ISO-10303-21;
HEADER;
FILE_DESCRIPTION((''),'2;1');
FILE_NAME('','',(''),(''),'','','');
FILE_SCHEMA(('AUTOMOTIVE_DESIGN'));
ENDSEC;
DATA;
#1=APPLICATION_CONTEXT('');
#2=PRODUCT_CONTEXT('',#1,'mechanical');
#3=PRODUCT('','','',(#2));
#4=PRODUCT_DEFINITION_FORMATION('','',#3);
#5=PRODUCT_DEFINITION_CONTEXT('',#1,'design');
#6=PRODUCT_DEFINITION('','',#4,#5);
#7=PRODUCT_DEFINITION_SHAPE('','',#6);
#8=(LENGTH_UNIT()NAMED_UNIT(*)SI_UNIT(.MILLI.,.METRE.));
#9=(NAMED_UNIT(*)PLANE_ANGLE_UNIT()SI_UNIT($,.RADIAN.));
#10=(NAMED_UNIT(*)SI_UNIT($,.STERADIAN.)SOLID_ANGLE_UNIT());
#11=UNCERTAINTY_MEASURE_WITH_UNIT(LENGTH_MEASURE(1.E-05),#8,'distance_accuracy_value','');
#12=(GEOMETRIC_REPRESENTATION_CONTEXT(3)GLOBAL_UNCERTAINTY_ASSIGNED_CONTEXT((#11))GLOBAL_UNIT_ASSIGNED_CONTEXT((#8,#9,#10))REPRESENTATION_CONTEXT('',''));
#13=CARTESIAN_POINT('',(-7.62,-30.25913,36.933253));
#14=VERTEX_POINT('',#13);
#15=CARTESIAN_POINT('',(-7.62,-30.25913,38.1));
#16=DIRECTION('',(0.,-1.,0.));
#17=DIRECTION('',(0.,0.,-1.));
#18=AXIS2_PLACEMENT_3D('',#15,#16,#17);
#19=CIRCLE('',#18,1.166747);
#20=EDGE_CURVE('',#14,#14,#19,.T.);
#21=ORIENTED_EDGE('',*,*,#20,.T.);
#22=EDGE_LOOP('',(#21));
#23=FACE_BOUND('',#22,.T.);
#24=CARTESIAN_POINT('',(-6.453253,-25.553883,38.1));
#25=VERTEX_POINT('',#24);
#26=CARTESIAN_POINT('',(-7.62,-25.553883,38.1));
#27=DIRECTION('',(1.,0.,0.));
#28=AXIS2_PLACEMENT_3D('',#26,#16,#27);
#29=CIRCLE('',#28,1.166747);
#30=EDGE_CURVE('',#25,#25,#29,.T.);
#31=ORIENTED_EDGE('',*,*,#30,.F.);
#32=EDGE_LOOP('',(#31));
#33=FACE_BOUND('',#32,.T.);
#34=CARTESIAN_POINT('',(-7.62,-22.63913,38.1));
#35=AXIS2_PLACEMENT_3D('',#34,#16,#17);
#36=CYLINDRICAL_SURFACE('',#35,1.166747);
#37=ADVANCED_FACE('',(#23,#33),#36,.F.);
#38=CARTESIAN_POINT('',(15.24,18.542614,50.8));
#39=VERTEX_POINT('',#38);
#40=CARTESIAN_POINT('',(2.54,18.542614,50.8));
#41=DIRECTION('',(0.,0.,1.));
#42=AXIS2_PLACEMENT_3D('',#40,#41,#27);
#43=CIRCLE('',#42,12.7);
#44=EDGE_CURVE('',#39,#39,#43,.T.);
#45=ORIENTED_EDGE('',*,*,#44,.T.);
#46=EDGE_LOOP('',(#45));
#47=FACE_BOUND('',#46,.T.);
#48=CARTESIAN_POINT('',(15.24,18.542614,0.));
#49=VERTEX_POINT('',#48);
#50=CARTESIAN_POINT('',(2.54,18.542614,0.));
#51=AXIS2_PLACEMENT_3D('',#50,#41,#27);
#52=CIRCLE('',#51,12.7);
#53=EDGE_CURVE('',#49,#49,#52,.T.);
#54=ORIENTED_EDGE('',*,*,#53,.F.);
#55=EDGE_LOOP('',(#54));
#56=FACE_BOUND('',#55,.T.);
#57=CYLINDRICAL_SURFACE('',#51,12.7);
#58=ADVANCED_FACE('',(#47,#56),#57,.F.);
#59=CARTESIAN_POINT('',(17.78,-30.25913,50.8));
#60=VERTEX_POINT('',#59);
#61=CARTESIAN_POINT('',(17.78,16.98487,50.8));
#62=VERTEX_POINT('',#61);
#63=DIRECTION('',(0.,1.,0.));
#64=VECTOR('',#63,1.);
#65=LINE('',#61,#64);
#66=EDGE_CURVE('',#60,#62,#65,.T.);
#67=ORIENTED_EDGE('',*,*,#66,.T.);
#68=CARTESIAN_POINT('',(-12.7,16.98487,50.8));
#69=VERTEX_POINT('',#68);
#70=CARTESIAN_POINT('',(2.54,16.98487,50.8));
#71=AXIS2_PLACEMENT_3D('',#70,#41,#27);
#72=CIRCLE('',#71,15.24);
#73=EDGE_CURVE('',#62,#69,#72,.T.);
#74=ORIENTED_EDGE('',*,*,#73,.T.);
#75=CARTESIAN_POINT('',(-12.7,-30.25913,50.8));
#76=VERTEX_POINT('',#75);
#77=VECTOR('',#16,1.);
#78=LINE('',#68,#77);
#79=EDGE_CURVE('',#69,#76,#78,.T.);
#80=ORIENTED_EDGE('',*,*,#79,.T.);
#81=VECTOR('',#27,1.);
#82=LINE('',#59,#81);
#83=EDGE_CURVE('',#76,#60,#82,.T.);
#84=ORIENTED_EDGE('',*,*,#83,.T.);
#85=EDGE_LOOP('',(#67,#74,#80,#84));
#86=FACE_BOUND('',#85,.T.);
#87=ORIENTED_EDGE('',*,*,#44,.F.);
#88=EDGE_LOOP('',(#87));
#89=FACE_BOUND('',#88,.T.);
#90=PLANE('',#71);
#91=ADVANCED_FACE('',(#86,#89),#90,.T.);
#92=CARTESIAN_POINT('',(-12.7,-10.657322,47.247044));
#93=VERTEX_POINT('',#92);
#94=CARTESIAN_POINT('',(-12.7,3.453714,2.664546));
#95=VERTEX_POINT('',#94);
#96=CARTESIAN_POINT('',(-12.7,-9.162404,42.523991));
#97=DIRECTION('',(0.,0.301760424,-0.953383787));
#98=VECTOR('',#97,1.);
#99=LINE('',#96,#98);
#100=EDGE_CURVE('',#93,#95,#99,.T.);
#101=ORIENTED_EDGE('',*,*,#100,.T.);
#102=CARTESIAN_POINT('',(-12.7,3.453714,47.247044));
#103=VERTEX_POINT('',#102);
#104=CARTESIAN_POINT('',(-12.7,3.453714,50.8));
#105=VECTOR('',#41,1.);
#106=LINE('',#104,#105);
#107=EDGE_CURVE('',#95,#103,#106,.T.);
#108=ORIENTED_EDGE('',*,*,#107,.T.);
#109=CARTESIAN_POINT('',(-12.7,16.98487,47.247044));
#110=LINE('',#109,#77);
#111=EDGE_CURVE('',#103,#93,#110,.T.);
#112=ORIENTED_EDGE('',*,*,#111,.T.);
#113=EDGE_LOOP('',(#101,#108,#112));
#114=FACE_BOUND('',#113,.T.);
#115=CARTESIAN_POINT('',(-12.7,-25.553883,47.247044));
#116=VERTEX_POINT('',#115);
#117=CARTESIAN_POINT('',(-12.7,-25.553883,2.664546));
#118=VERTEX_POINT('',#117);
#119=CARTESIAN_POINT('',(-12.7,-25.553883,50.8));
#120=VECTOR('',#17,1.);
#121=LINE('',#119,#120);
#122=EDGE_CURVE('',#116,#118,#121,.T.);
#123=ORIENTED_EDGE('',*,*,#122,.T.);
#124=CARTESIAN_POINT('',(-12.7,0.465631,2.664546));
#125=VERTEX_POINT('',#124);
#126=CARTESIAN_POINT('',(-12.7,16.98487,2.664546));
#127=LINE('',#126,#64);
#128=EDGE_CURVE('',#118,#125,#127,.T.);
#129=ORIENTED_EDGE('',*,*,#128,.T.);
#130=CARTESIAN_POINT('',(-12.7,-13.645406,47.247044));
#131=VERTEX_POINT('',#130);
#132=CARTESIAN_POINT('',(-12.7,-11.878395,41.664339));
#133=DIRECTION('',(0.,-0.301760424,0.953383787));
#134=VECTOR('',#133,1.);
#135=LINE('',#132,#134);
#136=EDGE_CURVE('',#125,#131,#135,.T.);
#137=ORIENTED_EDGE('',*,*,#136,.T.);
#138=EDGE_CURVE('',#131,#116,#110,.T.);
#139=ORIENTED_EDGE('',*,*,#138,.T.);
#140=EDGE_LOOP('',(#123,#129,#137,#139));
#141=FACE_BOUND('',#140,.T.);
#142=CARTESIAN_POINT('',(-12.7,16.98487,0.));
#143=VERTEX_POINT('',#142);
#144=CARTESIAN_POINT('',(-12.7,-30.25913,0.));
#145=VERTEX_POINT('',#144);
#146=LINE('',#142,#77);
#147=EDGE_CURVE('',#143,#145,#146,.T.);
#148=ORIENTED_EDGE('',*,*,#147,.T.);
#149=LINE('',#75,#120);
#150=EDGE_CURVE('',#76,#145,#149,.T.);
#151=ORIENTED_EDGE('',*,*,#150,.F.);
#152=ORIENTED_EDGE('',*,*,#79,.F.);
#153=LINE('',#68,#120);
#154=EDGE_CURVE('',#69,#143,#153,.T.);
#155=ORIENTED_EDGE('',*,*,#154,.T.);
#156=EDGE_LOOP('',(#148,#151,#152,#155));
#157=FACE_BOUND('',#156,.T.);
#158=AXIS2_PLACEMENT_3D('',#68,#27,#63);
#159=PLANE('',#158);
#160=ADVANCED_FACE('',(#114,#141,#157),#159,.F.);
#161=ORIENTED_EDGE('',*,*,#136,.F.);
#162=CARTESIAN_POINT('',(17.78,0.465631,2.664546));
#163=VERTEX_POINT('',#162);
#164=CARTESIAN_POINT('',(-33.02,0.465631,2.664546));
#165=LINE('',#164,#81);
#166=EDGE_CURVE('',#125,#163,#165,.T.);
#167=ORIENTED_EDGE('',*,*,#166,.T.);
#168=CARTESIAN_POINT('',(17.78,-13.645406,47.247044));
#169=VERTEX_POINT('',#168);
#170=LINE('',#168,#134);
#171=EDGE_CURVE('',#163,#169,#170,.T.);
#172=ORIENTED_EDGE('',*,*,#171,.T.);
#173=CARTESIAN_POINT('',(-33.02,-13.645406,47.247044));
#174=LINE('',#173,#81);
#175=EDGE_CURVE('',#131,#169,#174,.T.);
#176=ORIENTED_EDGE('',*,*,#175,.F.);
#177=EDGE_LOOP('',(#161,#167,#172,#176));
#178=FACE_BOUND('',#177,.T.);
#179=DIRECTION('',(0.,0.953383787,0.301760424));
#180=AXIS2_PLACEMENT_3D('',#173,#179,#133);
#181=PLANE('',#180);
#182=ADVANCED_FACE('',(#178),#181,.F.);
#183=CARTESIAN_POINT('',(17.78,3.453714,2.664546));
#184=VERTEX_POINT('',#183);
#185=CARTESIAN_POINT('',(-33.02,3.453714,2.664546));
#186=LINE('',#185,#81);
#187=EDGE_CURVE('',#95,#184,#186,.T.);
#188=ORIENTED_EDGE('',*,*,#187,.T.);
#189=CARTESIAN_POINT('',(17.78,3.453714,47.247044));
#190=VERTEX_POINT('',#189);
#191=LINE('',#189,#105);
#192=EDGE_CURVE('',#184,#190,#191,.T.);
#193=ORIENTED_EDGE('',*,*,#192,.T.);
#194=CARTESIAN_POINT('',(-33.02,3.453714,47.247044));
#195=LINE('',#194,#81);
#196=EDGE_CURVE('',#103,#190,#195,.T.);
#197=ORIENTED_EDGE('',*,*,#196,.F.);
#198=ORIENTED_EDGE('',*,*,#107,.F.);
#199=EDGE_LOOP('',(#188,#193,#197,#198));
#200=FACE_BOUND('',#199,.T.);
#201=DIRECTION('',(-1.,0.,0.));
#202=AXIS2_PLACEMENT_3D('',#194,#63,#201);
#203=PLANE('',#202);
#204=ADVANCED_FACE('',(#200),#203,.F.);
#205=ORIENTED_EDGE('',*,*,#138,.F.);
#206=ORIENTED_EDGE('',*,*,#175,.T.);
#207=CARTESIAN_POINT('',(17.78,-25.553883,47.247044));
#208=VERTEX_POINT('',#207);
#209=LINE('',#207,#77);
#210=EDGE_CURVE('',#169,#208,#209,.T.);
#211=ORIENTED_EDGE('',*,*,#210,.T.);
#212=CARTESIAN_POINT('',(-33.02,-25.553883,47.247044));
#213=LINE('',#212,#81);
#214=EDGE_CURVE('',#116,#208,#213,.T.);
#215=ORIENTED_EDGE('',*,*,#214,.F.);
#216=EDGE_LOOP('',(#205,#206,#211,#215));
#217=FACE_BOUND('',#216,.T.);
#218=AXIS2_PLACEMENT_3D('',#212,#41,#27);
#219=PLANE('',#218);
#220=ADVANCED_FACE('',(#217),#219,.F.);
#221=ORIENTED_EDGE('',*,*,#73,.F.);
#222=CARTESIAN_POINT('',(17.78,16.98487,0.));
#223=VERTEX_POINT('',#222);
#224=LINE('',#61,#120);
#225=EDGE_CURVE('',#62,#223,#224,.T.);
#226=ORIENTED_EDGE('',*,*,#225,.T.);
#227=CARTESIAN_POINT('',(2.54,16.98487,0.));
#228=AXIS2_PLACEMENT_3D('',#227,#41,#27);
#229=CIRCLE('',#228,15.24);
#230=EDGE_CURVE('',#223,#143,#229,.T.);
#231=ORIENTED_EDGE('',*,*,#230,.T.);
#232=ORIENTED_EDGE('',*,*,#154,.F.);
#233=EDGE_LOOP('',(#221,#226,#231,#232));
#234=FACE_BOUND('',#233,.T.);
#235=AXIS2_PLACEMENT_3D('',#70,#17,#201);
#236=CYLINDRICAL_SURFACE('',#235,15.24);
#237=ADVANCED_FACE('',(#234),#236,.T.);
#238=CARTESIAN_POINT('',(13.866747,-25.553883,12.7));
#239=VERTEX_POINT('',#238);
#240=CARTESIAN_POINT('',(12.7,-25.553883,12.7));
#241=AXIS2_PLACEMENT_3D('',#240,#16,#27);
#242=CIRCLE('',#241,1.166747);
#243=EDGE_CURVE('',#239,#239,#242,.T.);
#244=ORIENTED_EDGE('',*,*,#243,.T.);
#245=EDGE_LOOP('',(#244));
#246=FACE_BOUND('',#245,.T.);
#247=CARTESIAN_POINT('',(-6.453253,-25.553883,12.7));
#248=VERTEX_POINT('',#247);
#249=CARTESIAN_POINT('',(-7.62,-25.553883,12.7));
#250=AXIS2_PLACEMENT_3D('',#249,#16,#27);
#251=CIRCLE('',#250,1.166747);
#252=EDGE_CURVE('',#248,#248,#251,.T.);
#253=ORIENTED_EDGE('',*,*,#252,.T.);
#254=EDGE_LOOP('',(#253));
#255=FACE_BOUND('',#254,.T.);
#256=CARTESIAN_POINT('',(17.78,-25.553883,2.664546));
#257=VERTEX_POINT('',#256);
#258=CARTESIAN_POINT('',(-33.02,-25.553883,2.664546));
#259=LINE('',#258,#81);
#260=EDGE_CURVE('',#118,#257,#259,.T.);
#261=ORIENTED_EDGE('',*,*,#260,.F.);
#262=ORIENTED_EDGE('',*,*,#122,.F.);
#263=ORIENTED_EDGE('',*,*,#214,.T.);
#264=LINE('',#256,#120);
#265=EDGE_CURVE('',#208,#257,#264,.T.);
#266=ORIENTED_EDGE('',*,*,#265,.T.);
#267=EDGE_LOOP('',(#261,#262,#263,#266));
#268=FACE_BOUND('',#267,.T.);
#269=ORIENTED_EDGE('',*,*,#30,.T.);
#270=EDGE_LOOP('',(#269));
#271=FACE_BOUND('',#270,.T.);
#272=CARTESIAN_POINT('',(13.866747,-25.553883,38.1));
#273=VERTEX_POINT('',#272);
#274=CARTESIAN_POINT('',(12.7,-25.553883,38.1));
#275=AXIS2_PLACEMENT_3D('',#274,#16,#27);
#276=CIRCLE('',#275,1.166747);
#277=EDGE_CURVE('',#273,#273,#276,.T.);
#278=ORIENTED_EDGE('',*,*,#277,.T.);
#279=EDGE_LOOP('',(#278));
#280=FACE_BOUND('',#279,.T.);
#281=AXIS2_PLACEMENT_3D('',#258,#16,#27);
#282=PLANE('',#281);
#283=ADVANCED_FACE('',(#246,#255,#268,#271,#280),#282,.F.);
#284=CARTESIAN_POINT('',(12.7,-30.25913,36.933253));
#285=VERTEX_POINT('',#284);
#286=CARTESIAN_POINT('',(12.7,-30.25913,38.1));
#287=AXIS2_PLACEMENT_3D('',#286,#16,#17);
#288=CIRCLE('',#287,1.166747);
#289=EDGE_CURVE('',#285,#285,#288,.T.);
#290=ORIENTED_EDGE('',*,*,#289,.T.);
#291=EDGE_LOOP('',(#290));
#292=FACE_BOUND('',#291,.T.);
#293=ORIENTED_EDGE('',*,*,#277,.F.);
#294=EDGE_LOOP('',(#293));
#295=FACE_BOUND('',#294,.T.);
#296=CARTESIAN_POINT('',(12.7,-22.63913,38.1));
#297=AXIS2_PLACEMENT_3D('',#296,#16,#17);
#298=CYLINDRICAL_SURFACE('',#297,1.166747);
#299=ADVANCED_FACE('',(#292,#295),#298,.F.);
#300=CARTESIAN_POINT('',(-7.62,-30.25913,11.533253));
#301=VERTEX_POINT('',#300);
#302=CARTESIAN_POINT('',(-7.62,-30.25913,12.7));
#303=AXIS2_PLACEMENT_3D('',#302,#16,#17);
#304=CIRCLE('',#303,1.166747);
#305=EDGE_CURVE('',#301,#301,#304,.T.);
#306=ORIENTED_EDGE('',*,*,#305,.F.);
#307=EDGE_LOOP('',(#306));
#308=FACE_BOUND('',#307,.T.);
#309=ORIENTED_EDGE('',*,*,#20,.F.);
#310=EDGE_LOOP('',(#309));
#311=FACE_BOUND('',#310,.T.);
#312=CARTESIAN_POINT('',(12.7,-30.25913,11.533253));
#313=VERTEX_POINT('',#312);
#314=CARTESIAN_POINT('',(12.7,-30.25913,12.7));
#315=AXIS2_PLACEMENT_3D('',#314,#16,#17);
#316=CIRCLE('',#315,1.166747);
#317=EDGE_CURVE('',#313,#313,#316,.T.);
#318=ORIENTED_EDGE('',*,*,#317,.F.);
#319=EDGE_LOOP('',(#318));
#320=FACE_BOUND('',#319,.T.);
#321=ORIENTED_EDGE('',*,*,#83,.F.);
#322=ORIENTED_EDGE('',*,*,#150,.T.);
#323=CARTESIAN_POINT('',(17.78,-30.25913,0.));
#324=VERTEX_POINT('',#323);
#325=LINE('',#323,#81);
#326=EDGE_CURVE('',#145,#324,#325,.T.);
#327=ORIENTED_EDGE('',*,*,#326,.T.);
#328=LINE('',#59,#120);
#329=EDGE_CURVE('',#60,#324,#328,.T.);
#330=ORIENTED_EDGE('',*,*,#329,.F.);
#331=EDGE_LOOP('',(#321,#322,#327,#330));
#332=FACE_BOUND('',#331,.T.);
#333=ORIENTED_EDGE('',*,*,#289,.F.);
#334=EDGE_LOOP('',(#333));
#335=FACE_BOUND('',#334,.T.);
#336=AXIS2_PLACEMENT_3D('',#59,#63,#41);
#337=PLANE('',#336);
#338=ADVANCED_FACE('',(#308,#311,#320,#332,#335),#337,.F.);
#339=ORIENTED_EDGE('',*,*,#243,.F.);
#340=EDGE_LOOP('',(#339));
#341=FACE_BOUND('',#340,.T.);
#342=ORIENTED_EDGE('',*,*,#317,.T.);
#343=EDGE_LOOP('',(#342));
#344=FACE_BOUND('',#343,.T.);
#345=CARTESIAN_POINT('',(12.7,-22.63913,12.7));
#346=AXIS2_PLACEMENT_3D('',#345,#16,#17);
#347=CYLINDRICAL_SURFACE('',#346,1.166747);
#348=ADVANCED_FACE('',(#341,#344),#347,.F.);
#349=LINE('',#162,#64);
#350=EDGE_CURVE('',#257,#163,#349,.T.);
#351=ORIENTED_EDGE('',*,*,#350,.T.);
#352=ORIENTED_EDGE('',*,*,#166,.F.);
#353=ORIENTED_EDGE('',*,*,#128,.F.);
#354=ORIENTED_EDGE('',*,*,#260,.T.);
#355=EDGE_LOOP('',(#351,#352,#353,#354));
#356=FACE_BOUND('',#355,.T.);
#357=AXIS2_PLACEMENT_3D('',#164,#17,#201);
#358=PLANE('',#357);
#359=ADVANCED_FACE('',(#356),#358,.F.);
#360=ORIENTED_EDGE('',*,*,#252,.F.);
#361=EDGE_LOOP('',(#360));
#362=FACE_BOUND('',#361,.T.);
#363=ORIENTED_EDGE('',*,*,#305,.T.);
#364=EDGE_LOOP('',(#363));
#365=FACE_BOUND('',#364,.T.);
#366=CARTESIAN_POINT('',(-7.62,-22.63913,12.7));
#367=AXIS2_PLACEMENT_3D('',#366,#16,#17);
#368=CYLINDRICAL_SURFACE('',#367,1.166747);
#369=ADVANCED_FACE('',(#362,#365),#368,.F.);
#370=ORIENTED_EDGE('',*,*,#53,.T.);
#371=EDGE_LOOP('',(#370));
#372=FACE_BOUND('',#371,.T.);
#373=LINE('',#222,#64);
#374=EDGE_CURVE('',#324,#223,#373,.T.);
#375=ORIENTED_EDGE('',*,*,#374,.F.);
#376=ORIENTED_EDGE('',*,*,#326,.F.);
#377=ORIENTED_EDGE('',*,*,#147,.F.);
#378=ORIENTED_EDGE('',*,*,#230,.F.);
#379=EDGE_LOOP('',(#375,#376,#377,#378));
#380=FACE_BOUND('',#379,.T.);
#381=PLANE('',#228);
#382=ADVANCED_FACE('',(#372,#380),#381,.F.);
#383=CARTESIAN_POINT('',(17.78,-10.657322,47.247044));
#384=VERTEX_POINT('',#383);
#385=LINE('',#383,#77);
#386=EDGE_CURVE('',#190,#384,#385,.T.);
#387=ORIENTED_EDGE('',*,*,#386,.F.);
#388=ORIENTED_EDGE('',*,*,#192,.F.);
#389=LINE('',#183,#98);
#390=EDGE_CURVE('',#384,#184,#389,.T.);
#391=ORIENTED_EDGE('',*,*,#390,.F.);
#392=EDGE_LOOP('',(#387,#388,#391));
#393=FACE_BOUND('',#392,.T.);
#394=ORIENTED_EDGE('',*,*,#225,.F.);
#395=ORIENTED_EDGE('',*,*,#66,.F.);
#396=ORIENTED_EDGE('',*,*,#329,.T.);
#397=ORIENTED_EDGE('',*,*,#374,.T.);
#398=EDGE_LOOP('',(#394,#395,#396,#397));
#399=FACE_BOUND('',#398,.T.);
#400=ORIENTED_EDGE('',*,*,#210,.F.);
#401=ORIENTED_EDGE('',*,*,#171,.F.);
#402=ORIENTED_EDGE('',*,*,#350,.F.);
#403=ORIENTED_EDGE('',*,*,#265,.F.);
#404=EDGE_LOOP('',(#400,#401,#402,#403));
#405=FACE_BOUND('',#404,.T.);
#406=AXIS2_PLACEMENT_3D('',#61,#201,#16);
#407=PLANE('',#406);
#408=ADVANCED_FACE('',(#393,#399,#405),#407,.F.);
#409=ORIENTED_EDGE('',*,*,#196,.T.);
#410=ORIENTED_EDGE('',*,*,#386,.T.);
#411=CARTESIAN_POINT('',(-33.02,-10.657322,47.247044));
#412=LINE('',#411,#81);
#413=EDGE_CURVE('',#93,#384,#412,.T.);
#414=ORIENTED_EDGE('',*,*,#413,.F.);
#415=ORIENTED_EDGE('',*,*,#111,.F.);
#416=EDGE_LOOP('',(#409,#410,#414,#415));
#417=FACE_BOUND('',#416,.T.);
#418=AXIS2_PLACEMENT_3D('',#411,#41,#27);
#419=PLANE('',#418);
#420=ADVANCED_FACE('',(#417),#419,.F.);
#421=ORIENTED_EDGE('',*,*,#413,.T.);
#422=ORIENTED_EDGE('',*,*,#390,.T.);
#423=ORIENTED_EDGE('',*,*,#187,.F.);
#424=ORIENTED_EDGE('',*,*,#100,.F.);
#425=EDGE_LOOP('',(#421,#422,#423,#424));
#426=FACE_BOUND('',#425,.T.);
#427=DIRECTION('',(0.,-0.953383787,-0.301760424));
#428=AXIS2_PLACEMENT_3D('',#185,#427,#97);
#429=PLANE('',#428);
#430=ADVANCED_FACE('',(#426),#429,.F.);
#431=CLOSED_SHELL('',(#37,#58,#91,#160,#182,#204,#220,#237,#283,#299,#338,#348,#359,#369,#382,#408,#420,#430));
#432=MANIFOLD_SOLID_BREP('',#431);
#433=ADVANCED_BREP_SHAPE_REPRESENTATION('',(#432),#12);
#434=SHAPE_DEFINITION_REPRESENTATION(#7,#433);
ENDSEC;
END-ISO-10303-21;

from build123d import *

# Parameters (mm, degrees)
BOSS_EXTRUDE1_DEPTH = 50.8
SKETCH2_R           = 12.7
CUT_EXTRUDE1_DEPTH  = 50.8
CUT_EXTRUDE2_DEPTH  = 50.8
SKETCH5_R           = 1.166747446
CUT_EXTRUDE3_DEPTH  = 7.62


with BuildPart() as part:
    # Sketch1 → Boss-Extrude1 (new body)
    with BuildSketch(Plane.XY):
        with BuildLine():
            Line((17.78, 16.984869565), (17.78, -30.259130435))
            Line((17.78, -30.259130435), (-12.7, -30.259130435))
            Line((-12.7, -30.259130435), (-12.7, 16.984869565))
            ThreePointArc((-12.7, 16.984869565), (2.54, 32.224869565), (17.78, 16.984869565))
        make_face()
    extrude(amount=BOSS_EXTRUDE1_DEPTH)

    # Sketch2 → Cut-Extrude1 (cut)
    with BuildSketch(Plane.XY.offset(50.8)):
        with Locations((2.54, 18.54261415)):
            Circle(SKETCH2_R)
    extrude(amount=-CUT_EXTRUDE1_DEPTH, mode=Mode.SUBTRACT)

    # Sketch4 → Cut-Extrude2 (cut)
    with BuildSketch(Plane(origin=(17.78, 0, 0), x_dir=(0, 0, -1), z_dir=(1, 0, 0))):
        Polygon((-47.247044422, 3.453714402), (-2.664546428, 3.453714402), (-47.247044422, -10.657322195), align=None)
        Polygon((-47.247044422, -13.645405957), (-2.664546428, 0.46563064), (-2.664546428, -25.553882978), (-47.247044422, -25.553882978), align=None)
    extrude(amount=-CUT_EXTRUDE2_DEPTH, mode=Mode.SUBTRACT)

    # Sketch5 → Cut-Extrude3 (cut)
    with BuildSketch(Plane(origin=(0, -30.259130435, 0), x_dir=(-1, 0, 0), z_dir=(0, -1, 0))):
        with Locations(Location((7.62, -12.7, 0), (0, 0, 90))):
            Circle(SKETCH5_R)
        with Locations(Location((7.62, -38.1, 0), (0, 0, 90))):
            Circle(SKETCH5_R)
        with Locations(Location((-12.7, -38.1, 0), (0, 0, 90))):
            Circle(SKETCH5_R)
        with Locations(Location((-12.7, -12.7, 0), (0, 0, 90))):
            Circle(SKETCH5_R)
    extrude(amount=-CUT_EXTRUDE3_DEPTH, mode=Mode.SUBTRACT)


solid = part.part
